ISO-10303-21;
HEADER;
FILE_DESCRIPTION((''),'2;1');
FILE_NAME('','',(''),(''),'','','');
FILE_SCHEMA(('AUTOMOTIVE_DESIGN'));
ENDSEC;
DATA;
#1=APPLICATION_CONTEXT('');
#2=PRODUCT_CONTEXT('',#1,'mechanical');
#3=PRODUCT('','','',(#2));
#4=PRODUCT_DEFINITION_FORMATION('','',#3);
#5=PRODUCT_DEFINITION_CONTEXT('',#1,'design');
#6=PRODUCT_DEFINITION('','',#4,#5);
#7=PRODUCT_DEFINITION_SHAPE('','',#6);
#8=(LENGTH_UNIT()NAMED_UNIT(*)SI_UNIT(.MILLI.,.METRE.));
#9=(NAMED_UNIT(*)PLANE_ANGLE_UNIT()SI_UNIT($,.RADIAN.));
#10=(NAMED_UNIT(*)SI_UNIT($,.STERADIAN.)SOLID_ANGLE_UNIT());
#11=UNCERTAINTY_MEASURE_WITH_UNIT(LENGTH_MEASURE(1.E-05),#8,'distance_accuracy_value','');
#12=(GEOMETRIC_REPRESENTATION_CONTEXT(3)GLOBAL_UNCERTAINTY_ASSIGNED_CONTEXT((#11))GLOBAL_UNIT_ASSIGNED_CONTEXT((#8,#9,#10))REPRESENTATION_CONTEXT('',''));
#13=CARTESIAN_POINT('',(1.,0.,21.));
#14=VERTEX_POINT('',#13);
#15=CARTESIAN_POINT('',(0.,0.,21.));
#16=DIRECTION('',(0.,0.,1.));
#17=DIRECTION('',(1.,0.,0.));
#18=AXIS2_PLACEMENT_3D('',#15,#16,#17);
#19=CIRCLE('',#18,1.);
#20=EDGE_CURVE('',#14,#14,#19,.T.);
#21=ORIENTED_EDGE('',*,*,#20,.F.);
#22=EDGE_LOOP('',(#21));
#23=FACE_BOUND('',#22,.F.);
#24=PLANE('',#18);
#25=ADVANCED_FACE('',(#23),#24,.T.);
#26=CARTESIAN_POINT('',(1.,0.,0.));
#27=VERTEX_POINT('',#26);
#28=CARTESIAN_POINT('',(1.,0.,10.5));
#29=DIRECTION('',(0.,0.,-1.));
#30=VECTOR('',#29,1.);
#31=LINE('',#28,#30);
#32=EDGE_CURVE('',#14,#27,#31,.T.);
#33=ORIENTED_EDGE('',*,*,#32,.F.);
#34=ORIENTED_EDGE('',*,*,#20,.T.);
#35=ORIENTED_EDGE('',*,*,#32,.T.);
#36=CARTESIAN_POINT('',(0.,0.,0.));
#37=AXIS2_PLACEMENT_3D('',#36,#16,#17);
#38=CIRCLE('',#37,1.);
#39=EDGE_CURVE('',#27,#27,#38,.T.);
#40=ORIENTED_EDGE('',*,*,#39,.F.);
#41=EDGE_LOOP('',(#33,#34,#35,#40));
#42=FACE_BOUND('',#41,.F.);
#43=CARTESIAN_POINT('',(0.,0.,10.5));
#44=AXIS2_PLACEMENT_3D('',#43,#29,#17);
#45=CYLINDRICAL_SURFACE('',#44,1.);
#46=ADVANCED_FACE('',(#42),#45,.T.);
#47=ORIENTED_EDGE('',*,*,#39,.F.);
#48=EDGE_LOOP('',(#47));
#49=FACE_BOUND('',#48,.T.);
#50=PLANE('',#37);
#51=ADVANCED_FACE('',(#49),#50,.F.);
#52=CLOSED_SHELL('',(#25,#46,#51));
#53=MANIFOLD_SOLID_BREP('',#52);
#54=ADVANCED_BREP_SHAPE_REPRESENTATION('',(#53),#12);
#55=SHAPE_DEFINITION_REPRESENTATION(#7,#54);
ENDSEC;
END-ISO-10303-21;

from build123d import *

# Parameters (mm, degrees)
ESQUISSE1_W = 1
ESQUISSE1_H = 21


with BuildPart() as part:
    # Esquisse1 → Révolution1 (revolve)
    with BuildSketch(Plane(origin=(0, 0, 0), x_dir=(1, 0, 0), z_dir=(0, 1, 0))):
        with Locations((0.5, -10.5)):
            Rectangle(ESQUISSE1_W, ESQUISSE1_H)
    revolve(axis=Axis((0, 0, 0), (0, 0, 1)))


solid = part.part
